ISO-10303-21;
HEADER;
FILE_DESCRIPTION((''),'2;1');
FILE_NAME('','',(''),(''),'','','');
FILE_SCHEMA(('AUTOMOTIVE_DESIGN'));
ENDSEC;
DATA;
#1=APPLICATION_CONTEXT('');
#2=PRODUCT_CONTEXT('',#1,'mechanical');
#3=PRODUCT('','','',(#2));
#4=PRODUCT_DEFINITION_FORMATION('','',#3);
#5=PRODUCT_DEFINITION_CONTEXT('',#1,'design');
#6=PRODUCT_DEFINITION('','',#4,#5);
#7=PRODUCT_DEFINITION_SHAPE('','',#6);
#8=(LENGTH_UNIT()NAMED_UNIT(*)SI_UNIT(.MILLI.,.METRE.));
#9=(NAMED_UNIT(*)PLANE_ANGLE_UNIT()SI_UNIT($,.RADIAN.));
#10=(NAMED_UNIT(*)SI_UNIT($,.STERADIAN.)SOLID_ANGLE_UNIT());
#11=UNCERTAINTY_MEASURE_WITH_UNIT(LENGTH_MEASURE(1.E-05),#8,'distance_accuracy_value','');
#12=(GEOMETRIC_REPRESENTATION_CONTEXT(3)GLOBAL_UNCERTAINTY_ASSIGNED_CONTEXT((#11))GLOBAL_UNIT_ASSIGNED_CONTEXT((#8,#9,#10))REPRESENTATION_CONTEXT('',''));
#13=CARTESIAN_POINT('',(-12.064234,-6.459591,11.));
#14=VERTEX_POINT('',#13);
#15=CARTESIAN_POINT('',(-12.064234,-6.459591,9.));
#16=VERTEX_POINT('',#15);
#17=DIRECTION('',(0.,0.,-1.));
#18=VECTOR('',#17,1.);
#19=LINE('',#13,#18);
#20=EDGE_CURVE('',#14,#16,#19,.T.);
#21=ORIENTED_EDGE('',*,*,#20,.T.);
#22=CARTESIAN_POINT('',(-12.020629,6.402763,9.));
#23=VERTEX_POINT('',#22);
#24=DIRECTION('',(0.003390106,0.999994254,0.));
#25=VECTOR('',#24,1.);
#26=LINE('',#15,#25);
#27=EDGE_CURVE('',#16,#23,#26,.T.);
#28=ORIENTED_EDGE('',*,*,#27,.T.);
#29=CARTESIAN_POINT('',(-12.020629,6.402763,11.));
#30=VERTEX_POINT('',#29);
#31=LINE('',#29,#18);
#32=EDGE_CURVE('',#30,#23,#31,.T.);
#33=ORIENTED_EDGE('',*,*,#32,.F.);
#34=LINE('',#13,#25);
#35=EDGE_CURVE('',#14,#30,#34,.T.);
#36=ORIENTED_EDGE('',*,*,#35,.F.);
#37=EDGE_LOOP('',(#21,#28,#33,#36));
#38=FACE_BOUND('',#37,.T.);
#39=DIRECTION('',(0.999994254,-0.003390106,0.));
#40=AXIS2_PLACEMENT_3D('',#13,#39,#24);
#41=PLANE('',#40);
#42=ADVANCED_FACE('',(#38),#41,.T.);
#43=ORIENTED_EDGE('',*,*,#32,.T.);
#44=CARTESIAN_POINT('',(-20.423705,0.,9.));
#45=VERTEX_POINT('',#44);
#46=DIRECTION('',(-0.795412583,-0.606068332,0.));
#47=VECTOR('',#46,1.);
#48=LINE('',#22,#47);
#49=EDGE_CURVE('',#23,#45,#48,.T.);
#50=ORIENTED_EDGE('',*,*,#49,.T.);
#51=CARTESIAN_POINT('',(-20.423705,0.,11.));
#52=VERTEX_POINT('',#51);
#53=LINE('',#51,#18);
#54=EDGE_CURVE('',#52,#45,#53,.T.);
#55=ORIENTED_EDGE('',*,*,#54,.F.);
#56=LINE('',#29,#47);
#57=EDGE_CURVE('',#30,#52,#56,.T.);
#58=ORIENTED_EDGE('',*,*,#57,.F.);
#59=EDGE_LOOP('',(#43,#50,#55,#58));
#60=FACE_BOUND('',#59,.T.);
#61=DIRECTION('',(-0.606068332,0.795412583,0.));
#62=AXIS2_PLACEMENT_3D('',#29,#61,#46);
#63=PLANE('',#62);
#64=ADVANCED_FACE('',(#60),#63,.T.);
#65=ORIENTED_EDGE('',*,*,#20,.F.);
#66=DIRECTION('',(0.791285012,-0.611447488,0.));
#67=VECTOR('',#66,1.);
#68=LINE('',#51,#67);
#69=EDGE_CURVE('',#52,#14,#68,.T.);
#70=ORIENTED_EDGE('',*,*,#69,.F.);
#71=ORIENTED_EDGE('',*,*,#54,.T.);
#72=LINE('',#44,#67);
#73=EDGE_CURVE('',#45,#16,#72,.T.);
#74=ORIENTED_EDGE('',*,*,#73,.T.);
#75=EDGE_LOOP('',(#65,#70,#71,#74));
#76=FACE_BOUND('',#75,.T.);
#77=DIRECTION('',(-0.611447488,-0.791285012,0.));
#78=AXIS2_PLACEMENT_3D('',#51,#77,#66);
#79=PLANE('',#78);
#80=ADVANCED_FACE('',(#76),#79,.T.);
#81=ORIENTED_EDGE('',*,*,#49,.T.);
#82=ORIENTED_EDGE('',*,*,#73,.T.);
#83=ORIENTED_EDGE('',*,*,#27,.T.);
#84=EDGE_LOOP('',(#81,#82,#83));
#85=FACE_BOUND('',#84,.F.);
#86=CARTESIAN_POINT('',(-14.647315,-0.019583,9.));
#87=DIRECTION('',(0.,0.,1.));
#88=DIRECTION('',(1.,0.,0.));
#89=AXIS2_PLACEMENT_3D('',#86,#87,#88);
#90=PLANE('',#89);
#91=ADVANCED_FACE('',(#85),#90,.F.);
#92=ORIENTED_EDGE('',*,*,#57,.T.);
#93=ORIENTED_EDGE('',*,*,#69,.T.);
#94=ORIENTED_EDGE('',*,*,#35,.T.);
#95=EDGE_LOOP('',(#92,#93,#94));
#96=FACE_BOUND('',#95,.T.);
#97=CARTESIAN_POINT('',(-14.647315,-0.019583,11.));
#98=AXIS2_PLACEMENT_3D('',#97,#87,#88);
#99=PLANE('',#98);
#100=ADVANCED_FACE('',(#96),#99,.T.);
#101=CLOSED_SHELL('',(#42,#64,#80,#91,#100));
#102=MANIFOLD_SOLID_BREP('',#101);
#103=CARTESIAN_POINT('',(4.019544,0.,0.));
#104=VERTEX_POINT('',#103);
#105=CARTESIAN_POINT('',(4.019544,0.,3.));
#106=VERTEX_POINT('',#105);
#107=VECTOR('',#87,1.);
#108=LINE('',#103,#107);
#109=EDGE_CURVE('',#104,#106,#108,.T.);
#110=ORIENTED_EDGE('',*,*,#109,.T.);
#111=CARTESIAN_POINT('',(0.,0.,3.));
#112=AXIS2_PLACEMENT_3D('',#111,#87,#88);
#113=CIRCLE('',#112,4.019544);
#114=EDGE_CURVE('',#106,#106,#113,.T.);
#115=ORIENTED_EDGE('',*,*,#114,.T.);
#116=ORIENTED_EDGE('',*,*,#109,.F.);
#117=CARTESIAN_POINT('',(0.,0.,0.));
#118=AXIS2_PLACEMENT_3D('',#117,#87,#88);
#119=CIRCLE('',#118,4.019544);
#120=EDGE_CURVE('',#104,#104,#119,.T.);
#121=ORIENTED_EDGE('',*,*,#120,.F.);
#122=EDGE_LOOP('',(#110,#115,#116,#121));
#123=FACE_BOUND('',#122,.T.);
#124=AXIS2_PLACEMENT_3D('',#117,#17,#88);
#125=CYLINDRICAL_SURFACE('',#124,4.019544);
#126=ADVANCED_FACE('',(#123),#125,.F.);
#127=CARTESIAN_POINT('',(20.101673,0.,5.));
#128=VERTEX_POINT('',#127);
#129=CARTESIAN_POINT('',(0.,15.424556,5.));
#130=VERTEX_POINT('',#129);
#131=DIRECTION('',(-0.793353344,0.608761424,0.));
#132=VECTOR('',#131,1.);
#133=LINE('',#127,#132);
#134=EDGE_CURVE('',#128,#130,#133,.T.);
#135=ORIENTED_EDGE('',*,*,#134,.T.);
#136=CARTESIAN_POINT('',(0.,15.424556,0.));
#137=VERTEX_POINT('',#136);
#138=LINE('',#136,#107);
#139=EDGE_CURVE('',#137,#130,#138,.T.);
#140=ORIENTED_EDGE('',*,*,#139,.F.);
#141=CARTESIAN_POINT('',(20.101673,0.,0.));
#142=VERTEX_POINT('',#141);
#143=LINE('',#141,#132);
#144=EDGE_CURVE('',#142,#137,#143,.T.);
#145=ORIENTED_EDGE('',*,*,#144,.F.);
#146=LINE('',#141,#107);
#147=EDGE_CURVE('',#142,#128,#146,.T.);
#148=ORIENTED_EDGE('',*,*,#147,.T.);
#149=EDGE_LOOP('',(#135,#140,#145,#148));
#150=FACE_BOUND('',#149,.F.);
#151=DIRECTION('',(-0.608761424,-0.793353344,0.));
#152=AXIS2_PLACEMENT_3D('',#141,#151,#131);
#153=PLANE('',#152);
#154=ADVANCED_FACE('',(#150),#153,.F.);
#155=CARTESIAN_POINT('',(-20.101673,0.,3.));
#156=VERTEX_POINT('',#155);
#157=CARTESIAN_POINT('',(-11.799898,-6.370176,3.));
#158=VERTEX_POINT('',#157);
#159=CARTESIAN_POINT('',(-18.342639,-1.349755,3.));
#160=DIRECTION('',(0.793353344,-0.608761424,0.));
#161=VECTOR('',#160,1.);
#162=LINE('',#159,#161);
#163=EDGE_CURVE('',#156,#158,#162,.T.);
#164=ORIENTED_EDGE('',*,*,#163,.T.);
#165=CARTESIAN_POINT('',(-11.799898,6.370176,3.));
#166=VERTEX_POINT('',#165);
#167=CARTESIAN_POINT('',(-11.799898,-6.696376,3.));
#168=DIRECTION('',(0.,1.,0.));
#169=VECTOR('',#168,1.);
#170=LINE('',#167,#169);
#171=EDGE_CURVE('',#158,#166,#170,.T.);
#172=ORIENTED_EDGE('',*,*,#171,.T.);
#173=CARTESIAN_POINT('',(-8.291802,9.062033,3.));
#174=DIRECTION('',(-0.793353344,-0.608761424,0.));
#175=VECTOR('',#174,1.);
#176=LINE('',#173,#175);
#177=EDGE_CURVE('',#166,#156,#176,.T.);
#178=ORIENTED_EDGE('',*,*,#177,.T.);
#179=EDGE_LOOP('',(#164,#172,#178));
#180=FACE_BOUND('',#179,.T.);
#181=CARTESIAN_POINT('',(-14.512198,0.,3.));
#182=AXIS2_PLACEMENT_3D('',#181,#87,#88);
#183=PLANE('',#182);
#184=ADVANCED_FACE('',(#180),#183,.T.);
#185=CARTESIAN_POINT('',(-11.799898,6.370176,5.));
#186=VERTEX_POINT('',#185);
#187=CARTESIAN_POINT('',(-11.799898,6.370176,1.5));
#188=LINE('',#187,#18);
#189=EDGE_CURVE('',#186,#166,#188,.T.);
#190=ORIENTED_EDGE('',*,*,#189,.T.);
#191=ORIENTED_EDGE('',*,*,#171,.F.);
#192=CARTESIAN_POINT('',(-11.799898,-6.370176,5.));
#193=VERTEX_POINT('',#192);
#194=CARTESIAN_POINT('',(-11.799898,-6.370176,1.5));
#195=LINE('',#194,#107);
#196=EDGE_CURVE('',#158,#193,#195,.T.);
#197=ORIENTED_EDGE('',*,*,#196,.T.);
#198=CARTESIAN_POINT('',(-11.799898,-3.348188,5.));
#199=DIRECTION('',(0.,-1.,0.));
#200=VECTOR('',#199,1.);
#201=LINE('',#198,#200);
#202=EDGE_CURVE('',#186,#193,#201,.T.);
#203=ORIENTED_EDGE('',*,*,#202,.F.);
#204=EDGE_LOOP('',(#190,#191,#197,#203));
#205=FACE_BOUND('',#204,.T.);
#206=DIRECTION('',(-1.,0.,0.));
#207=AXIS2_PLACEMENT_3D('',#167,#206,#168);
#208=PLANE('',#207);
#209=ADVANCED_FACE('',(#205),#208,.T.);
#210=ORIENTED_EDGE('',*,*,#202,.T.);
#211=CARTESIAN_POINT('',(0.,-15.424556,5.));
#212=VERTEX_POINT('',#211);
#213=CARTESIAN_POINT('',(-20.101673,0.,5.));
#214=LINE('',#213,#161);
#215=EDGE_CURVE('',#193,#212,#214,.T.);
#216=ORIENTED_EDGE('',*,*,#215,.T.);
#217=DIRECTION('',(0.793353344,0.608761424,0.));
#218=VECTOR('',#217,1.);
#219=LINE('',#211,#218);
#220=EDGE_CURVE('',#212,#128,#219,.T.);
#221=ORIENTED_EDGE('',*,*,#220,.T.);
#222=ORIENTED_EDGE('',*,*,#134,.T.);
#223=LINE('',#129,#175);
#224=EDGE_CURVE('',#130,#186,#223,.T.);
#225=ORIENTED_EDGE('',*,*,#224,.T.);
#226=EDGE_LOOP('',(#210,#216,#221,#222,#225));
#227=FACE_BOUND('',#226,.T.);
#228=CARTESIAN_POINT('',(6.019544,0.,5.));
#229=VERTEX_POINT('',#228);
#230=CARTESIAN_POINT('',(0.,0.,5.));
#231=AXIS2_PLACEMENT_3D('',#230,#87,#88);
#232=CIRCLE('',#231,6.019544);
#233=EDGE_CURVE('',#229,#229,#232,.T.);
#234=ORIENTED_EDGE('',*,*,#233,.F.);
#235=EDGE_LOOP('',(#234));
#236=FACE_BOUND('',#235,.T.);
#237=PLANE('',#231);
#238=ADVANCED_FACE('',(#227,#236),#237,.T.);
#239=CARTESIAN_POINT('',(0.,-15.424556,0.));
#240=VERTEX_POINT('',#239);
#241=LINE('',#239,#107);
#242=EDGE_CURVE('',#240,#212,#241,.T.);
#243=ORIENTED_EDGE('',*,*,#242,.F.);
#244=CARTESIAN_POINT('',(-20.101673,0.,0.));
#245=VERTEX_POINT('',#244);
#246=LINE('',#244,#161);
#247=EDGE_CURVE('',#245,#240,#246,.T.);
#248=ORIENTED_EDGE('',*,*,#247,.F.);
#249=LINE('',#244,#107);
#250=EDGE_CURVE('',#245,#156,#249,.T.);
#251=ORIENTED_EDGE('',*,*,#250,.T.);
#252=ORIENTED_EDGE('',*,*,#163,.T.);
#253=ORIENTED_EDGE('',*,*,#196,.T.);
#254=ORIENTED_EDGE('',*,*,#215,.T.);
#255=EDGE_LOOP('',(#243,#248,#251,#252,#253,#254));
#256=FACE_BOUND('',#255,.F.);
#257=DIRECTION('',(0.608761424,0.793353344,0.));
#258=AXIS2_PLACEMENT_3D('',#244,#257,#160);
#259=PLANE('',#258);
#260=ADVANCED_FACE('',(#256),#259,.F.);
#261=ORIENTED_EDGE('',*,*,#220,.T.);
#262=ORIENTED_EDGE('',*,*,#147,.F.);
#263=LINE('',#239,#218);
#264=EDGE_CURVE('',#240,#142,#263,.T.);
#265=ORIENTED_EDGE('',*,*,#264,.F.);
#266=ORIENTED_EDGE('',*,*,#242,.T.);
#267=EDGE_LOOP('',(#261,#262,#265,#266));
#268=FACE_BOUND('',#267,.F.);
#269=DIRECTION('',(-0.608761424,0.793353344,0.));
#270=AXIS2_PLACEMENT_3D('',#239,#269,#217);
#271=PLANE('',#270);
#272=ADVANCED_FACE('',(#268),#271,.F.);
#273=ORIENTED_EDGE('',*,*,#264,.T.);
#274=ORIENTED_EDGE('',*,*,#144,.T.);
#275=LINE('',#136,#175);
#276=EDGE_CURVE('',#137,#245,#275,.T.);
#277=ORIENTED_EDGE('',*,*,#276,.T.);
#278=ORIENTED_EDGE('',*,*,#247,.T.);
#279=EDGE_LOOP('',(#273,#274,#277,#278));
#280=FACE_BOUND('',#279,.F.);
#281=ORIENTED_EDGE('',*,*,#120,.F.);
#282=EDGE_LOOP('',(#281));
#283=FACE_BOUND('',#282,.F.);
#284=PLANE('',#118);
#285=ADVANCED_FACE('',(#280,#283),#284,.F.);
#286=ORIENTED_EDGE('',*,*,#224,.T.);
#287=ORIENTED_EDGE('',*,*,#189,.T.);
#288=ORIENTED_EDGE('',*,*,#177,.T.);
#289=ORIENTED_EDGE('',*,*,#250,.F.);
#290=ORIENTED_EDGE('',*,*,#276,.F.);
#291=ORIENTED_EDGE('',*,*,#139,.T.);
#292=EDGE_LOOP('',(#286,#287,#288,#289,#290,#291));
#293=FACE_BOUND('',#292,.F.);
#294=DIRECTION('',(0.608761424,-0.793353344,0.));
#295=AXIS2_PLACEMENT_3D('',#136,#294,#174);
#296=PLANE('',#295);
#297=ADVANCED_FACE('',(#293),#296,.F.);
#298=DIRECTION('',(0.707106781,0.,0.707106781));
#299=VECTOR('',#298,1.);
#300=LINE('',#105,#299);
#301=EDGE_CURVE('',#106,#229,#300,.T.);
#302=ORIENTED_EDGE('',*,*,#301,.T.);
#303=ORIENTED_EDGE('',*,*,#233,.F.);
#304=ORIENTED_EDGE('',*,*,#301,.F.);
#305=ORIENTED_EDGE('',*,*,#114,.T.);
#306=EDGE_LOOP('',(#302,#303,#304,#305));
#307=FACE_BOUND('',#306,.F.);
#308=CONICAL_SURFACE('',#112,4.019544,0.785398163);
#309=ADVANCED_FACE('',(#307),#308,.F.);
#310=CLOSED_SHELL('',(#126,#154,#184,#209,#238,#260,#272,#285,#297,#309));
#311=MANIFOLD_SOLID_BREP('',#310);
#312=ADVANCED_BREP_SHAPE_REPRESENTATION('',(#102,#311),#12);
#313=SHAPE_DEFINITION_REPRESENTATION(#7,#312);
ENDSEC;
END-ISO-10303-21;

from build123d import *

# Parameters (mm, degrees)
F0_R     = 4.019544
F1_DEPTH = 5
F2_SIZE  = 2
F5_DEPTH = 25
F8_DEPTH = 2


with BuildPart() as f1:
    # F0 (on Top) → F1 (new body)
    with BuildSketch(Plane.XY):
        Polygon((0, -15.424556), (20.101673, 0), (0, 15.424556), (-20.101673, 0), align=None)
        Circle(F0_R, mode=Mode.SUBTRACT)
    extrude(amount=F1_DEPTH)

    # F2
    f2_edges = [f1.edges().sort_by_distance(p)[0] for p in [
        (-4.019544, 0, 5),
    ]]
    chamfer(f2_edges, length=F2_SIZE)

    # F4 (on offset) → F5 (cut)
    with BuildSketch(Plane.XY.offset(3)):
        Polygon((-11.799898, 6.696376), (-20.526785, 0), (-11.799898, -6.696376), align=None)
    extrude(amount=F5_DEPTH, mode=Mode.SUBTRACT)


with BuildPart() as f8:
    # F7 (on offset) → F8 (new body)
    with BuildSketch(Plane.XY.offset(11)):
        Polygon((-12.064234, -6.459591), (-12.020629, 6.402763), (-20.423705, 0), align=None)
    extrude(amount=-F8_DEPTH)


solid = Compound([f1.part, f8.part])
